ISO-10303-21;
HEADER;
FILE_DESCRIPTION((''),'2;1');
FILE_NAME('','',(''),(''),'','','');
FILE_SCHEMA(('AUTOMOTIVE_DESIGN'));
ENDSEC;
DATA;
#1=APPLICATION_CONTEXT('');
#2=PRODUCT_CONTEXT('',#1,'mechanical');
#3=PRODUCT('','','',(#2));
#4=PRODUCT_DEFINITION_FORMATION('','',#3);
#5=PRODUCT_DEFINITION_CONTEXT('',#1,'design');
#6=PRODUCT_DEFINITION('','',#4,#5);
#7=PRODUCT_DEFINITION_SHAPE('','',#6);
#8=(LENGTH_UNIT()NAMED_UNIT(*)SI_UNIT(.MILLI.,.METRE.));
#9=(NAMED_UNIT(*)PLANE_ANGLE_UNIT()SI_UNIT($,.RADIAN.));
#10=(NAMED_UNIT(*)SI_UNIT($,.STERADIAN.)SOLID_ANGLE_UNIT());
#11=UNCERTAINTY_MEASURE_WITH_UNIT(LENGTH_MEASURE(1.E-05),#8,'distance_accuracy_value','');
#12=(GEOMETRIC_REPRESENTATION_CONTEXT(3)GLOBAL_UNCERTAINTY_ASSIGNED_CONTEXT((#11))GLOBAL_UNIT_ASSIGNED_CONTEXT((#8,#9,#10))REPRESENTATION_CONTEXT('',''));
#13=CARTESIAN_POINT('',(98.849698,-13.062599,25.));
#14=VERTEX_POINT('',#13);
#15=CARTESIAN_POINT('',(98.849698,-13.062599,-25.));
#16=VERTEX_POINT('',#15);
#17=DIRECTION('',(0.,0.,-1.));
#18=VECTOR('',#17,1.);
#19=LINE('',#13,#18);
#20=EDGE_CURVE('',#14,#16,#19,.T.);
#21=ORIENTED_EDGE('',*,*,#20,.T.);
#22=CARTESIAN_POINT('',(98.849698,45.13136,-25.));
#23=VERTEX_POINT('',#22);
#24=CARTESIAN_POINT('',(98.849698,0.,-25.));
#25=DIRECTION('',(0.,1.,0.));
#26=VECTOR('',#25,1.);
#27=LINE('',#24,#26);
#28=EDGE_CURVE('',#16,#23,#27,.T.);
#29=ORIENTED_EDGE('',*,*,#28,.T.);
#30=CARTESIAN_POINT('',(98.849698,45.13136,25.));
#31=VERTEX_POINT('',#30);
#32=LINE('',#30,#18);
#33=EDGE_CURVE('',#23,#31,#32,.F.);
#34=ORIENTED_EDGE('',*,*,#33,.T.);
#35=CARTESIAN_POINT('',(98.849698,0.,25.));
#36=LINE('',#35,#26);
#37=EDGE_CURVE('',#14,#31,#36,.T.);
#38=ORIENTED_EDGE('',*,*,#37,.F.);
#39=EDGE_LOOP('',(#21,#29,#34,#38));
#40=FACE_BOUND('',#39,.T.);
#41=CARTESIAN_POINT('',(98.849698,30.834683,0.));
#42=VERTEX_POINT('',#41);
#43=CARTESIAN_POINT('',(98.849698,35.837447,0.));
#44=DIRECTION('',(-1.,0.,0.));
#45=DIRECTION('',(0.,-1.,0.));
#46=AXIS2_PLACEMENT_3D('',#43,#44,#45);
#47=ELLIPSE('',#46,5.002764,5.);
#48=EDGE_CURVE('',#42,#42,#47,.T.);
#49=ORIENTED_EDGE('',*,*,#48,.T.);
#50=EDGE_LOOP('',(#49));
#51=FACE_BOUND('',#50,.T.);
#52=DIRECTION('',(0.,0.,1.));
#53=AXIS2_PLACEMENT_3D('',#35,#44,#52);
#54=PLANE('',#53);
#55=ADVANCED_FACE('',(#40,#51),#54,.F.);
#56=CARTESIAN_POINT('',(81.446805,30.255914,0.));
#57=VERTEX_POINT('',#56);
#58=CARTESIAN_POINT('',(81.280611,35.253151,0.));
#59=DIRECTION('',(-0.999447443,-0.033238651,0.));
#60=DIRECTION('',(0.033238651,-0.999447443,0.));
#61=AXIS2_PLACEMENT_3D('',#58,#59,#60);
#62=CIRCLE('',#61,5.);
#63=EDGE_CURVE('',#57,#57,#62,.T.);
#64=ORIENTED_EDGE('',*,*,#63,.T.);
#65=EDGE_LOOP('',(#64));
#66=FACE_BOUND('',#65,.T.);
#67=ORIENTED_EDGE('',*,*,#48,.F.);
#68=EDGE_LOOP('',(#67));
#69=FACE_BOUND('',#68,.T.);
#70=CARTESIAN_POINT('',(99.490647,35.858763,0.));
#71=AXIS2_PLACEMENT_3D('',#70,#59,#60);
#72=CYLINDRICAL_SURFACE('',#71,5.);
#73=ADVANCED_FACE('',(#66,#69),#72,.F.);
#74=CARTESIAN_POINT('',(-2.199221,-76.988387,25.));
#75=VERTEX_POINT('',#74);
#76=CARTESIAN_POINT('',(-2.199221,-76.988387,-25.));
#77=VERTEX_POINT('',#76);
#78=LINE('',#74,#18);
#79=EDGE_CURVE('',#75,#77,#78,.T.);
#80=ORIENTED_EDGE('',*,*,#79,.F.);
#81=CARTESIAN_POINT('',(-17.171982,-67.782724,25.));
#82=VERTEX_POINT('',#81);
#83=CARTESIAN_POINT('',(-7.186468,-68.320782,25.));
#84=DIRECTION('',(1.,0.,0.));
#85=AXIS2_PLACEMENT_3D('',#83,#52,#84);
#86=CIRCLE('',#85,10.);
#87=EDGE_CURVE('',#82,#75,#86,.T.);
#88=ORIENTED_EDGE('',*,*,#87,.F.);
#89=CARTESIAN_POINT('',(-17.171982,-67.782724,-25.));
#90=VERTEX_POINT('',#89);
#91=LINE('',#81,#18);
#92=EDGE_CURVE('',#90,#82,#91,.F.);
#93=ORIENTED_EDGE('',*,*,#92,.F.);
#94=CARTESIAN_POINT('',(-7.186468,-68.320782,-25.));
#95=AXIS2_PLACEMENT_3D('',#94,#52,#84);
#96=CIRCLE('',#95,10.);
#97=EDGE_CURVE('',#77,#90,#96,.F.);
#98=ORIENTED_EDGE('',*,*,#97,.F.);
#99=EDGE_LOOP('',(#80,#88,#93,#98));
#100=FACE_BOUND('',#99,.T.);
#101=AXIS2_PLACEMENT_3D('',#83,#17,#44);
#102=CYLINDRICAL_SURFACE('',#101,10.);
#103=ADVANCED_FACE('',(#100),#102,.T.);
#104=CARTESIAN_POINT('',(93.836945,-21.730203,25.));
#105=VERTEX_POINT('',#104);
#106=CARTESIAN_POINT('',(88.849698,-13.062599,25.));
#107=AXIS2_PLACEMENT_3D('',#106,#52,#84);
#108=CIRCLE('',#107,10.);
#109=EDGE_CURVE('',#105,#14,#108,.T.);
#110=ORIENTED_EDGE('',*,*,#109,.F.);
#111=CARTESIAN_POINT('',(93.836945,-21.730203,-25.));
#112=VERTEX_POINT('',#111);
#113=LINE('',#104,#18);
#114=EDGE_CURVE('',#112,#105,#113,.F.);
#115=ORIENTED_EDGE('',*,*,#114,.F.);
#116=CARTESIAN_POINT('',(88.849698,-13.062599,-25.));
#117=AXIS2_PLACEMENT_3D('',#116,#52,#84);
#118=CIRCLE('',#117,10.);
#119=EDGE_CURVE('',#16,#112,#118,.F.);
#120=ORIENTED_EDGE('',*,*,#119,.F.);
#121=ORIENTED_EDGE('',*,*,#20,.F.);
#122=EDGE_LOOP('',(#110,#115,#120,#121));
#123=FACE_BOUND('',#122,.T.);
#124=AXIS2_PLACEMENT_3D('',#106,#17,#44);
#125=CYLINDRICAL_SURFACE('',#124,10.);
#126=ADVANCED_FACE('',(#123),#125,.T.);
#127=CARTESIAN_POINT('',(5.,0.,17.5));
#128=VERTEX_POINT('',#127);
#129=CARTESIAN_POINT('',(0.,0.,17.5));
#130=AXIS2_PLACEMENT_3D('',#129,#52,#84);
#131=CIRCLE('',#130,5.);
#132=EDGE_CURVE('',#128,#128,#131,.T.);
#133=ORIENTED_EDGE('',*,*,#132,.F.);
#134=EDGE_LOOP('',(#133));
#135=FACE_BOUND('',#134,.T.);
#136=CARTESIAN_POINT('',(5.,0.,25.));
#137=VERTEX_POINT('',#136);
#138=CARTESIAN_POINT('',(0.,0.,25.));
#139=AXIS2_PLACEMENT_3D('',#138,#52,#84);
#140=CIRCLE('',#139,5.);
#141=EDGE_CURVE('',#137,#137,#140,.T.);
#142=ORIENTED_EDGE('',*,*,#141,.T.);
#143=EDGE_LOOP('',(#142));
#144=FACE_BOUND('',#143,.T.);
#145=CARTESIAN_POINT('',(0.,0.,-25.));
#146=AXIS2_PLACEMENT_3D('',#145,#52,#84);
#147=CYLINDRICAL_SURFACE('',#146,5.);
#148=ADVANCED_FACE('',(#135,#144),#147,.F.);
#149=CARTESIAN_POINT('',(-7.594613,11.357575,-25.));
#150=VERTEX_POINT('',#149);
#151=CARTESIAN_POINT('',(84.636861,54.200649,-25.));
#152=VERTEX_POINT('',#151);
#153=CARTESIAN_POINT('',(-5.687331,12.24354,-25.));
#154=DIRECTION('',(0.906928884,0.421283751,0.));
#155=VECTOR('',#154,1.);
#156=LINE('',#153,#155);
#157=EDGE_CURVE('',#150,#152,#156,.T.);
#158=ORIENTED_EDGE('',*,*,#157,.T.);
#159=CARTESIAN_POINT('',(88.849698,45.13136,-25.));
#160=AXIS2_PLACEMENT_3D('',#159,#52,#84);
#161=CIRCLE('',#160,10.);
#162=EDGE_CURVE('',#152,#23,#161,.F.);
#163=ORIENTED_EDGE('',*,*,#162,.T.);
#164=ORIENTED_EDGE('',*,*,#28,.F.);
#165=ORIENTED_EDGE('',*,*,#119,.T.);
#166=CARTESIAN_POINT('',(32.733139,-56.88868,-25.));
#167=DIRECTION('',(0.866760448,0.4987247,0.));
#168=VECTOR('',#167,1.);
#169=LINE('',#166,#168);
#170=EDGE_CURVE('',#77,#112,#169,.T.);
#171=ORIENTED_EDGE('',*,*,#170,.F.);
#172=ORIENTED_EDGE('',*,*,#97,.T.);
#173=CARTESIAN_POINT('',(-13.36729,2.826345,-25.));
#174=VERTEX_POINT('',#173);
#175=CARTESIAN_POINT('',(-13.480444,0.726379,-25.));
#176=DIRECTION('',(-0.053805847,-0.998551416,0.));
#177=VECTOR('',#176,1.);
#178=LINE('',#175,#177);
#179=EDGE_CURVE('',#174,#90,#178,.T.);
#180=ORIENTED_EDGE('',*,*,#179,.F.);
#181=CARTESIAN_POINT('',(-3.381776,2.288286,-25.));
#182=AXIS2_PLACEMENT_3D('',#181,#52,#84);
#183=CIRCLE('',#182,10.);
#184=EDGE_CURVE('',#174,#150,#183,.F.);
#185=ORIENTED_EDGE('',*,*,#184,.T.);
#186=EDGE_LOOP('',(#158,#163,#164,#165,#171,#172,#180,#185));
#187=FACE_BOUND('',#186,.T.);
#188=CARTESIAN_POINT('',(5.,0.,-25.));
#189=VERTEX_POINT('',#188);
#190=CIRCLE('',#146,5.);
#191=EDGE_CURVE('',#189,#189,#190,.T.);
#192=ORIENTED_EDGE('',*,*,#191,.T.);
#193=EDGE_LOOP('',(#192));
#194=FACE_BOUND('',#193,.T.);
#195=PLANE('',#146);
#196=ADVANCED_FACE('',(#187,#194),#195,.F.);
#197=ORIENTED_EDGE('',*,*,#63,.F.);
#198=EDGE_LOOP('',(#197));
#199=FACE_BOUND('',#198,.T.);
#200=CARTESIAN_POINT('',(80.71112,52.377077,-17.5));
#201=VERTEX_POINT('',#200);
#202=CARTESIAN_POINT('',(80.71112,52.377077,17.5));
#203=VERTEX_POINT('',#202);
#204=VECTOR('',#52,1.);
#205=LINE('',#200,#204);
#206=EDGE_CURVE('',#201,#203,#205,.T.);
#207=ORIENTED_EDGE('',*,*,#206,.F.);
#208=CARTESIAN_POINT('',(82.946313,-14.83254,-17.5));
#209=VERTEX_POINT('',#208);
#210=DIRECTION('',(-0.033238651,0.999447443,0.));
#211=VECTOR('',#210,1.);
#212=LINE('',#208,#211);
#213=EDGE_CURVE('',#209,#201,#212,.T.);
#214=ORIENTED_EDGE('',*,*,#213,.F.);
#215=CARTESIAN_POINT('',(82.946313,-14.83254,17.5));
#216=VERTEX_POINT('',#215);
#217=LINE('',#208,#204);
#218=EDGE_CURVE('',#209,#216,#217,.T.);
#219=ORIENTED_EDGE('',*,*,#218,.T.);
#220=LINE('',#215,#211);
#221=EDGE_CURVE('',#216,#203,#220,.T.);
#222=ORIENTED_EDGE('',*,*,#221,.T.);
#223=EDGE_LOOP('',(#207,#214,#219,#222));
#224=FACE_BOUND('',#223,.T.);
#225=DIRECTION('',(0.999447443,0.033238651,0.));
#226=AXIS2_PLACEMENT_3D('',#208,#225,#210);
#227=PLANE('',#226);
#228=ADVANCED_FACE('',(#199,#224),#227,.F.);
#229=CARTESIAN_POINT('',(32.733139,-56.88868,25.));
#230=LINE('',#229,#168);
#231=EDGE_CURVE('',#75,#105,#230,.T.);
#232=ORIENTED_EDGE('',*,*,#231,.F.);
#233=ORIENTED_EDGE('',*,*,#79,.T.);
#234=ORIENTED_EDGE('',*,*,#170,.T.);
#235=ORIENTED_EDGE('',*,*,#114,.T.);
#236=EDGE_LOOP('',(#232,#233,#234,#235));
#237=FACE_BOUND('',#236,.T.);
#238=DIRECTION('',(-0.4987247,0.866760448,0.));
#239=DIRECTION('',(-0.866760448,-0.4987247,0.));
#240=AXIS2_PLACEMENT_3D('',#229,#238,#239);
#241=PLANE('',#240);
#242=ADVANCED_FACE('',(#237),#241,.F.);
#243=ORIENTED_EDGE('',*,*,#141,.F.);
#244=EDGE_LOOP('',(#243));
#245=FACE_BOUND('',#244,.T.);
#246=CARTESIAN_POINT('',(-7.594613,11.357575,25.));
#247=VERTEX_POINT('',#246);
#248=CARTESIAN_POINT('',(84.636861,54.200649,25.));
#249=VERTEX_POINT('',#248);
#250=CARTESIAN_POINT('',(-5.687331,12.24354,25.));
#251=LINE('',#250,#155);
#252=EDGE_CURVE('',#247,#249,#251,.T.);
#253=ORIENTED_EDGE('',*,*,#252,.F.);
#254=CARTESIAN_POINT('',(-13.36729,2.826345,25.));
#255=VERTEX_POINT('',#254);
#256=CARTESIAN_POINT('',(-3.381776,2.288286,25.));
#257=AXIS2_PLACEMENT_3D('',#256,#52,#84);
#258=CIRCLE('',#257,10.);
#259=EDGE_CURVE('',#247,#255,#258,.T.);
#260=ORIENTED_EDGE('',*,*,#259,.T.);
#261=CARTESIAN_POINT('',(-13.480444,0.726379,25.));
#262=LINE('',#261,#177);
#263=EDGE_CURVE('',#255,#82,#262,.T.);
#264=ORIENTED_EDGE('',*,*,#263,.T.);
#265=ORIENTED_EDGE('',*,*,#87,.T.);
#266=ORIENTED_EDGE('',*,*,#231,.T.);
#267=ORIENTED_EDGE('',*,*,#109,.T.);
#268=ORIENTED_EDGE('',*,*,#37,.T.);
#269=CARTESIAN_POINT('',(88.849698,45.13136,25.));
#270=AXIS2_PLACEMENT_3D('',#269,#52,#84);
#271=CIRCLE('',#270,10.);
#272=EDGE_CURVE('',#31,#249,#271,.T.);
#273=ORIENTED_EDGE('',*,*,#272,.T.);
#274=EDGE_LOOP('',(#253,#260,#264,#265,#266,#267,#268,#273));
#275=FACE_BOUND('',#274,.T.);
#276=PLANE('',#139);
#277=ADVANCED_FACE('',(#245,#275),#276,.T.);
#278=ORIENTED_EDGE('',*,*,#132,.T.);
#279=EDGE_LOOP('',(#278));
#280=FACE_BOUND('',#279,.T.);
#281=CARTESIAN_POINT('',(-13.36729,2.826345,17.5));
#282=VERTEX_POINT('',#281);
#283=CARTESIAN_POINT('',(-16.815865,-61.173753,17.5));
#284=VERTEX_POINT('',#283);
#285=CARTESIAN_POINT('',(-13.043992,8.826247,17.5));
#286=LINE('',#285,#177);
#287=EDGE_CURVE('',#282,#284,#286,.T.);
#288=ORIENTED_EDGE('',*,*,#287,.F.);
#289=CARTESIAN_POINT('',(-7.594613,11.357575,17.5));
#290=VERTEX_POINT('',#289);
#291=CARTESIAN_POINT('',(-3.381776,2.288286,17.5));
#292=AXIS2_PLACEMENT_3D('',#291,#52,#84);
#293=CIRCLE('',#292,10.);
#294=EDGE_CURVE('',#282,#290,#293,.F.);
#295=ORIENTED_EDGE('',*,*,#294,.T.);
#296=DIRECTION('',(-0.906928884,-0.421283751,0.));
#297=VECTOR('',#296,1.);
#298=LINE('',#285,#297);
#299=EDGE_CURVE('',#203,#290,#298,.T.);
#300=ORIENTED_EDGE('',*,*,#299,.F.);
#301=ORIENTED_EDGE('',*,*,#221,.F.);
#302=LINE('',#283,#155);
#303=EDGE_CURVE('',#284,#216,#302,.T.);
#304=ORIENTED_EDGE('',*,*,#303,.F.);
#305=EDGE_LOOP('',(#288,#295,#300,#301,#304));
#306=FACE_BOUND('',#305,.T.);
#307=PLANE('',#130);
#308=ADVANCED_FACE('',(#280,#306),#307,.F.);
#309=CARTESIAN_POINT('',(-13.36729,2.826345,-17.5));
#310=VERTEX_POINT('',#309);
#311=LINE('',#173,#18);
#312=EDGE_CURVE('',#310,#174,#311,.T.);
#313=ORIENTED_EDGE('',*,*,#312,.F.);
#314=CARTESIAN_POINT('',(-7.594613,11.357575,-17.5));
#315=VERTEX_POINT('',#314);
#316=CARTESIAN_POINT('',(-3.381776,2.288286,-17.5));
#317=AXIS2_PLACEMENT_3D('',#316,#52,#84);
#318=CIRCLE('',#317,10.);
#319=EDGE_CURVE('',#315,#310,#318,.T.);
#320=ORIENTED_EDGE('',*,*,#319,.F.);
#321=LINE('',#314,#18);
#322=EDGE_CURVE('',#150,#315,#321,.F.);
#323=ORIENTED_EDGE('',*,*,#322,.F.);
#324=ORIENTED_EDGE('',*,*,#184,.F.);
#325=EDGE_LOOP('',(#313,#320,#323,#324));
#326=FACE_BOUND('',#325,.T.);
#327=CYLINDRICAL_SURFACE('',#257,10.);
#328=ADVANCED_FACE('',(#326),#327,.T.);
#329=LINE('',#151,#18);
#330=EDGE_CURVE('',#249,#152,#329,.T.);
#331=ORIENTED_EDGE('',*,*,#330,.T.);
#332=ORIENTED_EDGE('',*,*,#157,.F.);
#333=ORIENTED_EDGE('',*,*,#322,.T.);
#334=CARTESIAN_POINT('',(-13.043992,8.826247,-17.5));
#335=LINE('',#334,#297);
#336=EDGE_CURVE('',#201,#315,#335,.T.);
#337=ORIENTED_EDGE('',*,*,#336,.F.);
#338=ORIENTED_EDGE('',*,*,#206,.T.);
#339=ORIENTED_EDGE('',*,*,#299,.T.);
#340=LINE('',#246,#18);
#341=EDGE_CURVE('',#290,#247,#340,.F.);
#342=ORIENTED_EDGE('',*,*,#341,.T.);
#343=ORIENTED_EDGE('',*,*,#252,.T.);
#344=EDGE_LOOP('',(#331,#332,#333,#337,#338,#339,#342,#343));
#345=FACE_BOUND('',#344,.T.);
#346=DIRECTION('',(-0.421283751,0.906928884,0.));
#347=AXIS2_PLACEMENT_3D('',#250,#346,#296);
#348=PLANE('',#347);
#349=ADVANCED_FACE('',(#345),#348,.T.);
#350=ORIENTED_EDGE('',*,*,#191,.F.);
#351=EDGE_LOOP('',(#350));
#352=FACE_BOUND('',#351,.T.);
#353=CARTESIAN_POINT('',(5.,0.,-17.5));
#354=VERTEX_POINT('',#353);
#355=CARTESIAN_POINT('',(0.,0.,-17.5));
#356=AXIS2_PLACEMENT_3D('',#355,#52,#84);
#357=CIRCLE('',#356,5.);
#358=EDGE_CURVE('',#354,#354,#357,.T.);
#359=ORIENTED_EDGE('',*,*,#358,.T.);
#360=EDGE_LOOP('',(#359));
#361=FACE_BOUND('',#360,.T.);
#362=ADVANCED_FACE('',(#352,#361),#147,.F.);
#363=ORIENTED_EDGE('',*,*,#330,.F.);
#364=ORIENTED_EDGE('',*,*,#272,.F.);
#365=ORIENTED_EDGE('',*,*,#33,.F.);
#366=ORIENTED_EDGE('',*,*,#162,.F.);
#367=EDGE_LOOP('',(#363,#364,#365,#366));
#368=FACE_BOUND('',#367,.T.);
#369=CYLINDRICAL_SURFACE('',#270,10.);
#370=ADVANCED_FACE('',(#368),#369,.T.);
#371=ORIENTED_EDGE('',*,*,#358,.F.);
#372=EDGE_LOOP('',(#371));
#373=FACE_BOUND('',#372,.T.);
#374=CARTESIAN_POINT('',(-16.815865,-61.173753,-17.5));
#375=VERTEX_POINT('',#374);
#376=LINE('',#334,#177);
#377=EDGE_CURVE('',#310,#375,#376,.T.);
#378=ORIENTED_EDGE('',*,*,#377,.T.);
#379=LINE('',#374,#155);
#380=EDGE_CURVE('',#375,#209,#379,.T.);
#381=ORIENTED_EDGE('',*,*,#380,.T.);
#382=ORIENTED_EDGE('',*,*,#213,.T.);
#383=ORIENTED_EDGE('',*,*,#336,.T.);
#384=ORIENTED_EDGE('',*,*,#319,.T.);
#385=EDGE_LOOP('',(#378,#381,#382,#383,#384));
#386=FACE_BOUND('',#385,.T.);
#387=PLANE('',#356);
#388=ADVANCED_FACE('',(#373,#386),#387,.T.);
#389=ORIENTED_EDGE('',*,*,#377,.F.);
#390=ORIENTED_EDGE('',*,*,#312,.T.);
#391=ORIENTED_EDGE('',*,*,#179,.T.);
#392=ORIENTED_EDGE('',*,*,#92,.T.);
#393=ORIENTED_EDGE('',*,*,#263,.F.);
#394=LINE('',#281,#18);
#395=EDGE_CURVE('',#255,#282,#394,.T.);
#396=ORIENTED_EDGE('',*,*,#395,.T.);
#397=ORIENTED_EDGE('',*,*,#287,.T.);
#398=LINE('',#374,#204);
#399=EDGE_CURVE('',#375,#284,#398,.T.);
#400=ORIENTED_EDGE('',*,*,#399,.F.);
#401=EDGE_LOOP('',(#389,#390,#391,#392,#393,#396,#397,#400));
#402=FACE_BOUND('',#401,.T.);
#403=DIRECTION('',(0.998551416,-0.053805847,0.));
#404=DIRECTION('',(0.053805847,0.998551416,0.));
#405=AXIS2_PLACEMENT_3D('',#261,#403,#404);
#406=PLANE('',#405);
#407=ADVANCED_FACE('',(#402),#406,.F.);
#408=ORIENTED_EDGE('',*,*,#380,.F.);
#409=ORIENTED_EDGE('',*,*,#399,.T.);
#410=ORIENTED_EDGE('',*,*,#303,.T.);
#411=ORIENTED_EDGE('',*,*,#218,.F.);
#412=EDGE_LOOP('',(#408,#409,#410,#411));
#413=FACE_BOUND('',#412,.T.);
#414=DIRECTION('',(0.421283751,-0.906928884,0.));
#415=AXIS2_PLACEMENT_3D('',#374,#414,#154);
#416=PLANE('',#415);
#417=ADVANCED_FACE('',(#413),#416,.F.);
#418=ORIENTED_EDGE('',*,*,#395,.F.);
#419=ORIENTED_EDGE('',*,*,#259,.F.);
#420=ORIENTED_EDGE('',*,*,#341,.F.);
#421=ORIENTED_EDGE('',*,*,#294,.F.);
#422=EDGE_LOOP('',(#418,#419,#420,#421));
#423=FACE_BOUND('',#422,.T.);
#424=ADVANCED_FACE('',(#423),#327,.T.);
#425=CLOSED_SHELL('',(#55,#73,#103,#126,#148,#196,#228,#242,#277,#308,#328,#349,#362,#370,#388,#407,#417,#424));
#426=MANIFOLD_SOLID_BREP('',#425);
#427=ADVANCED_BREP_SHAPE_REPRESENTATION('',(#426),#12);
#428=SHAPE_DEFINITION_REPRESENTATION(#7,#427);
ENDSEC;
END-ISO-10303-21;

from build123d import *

# Parameters (mm, degrees)
BOSS_EXTRU_2_DEPTH      = 25
ENL_V_MAT_EXTRU_1_DEPTH = 17.5
ESQUISSE3_R             = 5
ENL_V_MAT_EXTRU_2_DEPTH = 141.346637083
CONG_1_R                = 10
CONG_2_R                = 10
CONG_3_R                = 10
ESQUISSE5_R             = 5
ENL_V_MAT_EXTRU_3_DEPTH = 131.788342052


with BuildPart() as part:
    # Esquisse1 → Boss.-Extru.2 (new, symmetric)
    with BuildSketch(Plane.XY):
        Polygon((98.849698137, 60.802751576), (-13.043991627, 8.826246926), (-18.162962303, -86.173753074), (98.849698137, -18.845918586), align=None)
    extrude(amount=BOSS_EXTRU_2_DEPTH, both=True)

    # Esquisse2 → Enlèv. mat.-Extru.1 (cut, symmetric)
    with BuildSketch(Plane.XY):
        Polygon((-16.815864757, -61.173753074), (82.946312501, -14.832540436), (80.711120454, 52.377076551), (-13.043991627, 8.826246926), align=None)
    extrude(amount=ENL_V_MAT_EXTRU_1_DEPTH, both=True, mode=Mode.SUBTRACT)

    # Esquisse3 → Enlèv. mat.-Extru.2 (cut, through all)
    with BuildSketch(Plane.XY.offset(25)):
        Circle(ESQUISSE3_R)
    extrude(amount=-ENL_V_MAT_EXTRU_2_DEPTH, mode=Mode.SUBTRACT)

    # Congé1
    cong_1_edges = [part.edges().sort_by_distance(p)[0] for p in [
        (-13.043991627, 8.826246926, -21.25),
        (-13.043991627, 8.826246926, 21.25),
    ]]
    fillet(cong_1_edges, radius=CONG_1_R)

    # Congé2
    cong_2_edges = [part.edges().sort_by_distance(p)[0] for p in [
        (-18.162962303, -86.173753074, 0),
    ]]
    fillet(cong_2_edges, radius=CONG_2_R)

    # Congé3
    cong_3_edges = [part.edges().sort_by_distance(p)[0] for p in [
        (98.849698137, 60.802751576, 0),
        (98.849698137, -18.845918586, 0),
    ]]
    fillet(cong_3_edges, radius=CONG_3_R)

    # Esquisse5 → Enlèv. mat.-Extru.3 (cut, through all)
    with BuildSketch(Plane(origin=(82.361931549, 2.739112982, 0), x_dir=(0, 0, 1), z_dir=(-0.9994474433929438, -0.03323865062406649, 0))):
        with Locations((0, 32.532014282)):
            Circle(ESQUISSE5_R)
    extrude(amount=-ENL_V_MAT_EXTRU_3_DEPTH, mode=Mode.SUBTRACT)


solid = part.part
